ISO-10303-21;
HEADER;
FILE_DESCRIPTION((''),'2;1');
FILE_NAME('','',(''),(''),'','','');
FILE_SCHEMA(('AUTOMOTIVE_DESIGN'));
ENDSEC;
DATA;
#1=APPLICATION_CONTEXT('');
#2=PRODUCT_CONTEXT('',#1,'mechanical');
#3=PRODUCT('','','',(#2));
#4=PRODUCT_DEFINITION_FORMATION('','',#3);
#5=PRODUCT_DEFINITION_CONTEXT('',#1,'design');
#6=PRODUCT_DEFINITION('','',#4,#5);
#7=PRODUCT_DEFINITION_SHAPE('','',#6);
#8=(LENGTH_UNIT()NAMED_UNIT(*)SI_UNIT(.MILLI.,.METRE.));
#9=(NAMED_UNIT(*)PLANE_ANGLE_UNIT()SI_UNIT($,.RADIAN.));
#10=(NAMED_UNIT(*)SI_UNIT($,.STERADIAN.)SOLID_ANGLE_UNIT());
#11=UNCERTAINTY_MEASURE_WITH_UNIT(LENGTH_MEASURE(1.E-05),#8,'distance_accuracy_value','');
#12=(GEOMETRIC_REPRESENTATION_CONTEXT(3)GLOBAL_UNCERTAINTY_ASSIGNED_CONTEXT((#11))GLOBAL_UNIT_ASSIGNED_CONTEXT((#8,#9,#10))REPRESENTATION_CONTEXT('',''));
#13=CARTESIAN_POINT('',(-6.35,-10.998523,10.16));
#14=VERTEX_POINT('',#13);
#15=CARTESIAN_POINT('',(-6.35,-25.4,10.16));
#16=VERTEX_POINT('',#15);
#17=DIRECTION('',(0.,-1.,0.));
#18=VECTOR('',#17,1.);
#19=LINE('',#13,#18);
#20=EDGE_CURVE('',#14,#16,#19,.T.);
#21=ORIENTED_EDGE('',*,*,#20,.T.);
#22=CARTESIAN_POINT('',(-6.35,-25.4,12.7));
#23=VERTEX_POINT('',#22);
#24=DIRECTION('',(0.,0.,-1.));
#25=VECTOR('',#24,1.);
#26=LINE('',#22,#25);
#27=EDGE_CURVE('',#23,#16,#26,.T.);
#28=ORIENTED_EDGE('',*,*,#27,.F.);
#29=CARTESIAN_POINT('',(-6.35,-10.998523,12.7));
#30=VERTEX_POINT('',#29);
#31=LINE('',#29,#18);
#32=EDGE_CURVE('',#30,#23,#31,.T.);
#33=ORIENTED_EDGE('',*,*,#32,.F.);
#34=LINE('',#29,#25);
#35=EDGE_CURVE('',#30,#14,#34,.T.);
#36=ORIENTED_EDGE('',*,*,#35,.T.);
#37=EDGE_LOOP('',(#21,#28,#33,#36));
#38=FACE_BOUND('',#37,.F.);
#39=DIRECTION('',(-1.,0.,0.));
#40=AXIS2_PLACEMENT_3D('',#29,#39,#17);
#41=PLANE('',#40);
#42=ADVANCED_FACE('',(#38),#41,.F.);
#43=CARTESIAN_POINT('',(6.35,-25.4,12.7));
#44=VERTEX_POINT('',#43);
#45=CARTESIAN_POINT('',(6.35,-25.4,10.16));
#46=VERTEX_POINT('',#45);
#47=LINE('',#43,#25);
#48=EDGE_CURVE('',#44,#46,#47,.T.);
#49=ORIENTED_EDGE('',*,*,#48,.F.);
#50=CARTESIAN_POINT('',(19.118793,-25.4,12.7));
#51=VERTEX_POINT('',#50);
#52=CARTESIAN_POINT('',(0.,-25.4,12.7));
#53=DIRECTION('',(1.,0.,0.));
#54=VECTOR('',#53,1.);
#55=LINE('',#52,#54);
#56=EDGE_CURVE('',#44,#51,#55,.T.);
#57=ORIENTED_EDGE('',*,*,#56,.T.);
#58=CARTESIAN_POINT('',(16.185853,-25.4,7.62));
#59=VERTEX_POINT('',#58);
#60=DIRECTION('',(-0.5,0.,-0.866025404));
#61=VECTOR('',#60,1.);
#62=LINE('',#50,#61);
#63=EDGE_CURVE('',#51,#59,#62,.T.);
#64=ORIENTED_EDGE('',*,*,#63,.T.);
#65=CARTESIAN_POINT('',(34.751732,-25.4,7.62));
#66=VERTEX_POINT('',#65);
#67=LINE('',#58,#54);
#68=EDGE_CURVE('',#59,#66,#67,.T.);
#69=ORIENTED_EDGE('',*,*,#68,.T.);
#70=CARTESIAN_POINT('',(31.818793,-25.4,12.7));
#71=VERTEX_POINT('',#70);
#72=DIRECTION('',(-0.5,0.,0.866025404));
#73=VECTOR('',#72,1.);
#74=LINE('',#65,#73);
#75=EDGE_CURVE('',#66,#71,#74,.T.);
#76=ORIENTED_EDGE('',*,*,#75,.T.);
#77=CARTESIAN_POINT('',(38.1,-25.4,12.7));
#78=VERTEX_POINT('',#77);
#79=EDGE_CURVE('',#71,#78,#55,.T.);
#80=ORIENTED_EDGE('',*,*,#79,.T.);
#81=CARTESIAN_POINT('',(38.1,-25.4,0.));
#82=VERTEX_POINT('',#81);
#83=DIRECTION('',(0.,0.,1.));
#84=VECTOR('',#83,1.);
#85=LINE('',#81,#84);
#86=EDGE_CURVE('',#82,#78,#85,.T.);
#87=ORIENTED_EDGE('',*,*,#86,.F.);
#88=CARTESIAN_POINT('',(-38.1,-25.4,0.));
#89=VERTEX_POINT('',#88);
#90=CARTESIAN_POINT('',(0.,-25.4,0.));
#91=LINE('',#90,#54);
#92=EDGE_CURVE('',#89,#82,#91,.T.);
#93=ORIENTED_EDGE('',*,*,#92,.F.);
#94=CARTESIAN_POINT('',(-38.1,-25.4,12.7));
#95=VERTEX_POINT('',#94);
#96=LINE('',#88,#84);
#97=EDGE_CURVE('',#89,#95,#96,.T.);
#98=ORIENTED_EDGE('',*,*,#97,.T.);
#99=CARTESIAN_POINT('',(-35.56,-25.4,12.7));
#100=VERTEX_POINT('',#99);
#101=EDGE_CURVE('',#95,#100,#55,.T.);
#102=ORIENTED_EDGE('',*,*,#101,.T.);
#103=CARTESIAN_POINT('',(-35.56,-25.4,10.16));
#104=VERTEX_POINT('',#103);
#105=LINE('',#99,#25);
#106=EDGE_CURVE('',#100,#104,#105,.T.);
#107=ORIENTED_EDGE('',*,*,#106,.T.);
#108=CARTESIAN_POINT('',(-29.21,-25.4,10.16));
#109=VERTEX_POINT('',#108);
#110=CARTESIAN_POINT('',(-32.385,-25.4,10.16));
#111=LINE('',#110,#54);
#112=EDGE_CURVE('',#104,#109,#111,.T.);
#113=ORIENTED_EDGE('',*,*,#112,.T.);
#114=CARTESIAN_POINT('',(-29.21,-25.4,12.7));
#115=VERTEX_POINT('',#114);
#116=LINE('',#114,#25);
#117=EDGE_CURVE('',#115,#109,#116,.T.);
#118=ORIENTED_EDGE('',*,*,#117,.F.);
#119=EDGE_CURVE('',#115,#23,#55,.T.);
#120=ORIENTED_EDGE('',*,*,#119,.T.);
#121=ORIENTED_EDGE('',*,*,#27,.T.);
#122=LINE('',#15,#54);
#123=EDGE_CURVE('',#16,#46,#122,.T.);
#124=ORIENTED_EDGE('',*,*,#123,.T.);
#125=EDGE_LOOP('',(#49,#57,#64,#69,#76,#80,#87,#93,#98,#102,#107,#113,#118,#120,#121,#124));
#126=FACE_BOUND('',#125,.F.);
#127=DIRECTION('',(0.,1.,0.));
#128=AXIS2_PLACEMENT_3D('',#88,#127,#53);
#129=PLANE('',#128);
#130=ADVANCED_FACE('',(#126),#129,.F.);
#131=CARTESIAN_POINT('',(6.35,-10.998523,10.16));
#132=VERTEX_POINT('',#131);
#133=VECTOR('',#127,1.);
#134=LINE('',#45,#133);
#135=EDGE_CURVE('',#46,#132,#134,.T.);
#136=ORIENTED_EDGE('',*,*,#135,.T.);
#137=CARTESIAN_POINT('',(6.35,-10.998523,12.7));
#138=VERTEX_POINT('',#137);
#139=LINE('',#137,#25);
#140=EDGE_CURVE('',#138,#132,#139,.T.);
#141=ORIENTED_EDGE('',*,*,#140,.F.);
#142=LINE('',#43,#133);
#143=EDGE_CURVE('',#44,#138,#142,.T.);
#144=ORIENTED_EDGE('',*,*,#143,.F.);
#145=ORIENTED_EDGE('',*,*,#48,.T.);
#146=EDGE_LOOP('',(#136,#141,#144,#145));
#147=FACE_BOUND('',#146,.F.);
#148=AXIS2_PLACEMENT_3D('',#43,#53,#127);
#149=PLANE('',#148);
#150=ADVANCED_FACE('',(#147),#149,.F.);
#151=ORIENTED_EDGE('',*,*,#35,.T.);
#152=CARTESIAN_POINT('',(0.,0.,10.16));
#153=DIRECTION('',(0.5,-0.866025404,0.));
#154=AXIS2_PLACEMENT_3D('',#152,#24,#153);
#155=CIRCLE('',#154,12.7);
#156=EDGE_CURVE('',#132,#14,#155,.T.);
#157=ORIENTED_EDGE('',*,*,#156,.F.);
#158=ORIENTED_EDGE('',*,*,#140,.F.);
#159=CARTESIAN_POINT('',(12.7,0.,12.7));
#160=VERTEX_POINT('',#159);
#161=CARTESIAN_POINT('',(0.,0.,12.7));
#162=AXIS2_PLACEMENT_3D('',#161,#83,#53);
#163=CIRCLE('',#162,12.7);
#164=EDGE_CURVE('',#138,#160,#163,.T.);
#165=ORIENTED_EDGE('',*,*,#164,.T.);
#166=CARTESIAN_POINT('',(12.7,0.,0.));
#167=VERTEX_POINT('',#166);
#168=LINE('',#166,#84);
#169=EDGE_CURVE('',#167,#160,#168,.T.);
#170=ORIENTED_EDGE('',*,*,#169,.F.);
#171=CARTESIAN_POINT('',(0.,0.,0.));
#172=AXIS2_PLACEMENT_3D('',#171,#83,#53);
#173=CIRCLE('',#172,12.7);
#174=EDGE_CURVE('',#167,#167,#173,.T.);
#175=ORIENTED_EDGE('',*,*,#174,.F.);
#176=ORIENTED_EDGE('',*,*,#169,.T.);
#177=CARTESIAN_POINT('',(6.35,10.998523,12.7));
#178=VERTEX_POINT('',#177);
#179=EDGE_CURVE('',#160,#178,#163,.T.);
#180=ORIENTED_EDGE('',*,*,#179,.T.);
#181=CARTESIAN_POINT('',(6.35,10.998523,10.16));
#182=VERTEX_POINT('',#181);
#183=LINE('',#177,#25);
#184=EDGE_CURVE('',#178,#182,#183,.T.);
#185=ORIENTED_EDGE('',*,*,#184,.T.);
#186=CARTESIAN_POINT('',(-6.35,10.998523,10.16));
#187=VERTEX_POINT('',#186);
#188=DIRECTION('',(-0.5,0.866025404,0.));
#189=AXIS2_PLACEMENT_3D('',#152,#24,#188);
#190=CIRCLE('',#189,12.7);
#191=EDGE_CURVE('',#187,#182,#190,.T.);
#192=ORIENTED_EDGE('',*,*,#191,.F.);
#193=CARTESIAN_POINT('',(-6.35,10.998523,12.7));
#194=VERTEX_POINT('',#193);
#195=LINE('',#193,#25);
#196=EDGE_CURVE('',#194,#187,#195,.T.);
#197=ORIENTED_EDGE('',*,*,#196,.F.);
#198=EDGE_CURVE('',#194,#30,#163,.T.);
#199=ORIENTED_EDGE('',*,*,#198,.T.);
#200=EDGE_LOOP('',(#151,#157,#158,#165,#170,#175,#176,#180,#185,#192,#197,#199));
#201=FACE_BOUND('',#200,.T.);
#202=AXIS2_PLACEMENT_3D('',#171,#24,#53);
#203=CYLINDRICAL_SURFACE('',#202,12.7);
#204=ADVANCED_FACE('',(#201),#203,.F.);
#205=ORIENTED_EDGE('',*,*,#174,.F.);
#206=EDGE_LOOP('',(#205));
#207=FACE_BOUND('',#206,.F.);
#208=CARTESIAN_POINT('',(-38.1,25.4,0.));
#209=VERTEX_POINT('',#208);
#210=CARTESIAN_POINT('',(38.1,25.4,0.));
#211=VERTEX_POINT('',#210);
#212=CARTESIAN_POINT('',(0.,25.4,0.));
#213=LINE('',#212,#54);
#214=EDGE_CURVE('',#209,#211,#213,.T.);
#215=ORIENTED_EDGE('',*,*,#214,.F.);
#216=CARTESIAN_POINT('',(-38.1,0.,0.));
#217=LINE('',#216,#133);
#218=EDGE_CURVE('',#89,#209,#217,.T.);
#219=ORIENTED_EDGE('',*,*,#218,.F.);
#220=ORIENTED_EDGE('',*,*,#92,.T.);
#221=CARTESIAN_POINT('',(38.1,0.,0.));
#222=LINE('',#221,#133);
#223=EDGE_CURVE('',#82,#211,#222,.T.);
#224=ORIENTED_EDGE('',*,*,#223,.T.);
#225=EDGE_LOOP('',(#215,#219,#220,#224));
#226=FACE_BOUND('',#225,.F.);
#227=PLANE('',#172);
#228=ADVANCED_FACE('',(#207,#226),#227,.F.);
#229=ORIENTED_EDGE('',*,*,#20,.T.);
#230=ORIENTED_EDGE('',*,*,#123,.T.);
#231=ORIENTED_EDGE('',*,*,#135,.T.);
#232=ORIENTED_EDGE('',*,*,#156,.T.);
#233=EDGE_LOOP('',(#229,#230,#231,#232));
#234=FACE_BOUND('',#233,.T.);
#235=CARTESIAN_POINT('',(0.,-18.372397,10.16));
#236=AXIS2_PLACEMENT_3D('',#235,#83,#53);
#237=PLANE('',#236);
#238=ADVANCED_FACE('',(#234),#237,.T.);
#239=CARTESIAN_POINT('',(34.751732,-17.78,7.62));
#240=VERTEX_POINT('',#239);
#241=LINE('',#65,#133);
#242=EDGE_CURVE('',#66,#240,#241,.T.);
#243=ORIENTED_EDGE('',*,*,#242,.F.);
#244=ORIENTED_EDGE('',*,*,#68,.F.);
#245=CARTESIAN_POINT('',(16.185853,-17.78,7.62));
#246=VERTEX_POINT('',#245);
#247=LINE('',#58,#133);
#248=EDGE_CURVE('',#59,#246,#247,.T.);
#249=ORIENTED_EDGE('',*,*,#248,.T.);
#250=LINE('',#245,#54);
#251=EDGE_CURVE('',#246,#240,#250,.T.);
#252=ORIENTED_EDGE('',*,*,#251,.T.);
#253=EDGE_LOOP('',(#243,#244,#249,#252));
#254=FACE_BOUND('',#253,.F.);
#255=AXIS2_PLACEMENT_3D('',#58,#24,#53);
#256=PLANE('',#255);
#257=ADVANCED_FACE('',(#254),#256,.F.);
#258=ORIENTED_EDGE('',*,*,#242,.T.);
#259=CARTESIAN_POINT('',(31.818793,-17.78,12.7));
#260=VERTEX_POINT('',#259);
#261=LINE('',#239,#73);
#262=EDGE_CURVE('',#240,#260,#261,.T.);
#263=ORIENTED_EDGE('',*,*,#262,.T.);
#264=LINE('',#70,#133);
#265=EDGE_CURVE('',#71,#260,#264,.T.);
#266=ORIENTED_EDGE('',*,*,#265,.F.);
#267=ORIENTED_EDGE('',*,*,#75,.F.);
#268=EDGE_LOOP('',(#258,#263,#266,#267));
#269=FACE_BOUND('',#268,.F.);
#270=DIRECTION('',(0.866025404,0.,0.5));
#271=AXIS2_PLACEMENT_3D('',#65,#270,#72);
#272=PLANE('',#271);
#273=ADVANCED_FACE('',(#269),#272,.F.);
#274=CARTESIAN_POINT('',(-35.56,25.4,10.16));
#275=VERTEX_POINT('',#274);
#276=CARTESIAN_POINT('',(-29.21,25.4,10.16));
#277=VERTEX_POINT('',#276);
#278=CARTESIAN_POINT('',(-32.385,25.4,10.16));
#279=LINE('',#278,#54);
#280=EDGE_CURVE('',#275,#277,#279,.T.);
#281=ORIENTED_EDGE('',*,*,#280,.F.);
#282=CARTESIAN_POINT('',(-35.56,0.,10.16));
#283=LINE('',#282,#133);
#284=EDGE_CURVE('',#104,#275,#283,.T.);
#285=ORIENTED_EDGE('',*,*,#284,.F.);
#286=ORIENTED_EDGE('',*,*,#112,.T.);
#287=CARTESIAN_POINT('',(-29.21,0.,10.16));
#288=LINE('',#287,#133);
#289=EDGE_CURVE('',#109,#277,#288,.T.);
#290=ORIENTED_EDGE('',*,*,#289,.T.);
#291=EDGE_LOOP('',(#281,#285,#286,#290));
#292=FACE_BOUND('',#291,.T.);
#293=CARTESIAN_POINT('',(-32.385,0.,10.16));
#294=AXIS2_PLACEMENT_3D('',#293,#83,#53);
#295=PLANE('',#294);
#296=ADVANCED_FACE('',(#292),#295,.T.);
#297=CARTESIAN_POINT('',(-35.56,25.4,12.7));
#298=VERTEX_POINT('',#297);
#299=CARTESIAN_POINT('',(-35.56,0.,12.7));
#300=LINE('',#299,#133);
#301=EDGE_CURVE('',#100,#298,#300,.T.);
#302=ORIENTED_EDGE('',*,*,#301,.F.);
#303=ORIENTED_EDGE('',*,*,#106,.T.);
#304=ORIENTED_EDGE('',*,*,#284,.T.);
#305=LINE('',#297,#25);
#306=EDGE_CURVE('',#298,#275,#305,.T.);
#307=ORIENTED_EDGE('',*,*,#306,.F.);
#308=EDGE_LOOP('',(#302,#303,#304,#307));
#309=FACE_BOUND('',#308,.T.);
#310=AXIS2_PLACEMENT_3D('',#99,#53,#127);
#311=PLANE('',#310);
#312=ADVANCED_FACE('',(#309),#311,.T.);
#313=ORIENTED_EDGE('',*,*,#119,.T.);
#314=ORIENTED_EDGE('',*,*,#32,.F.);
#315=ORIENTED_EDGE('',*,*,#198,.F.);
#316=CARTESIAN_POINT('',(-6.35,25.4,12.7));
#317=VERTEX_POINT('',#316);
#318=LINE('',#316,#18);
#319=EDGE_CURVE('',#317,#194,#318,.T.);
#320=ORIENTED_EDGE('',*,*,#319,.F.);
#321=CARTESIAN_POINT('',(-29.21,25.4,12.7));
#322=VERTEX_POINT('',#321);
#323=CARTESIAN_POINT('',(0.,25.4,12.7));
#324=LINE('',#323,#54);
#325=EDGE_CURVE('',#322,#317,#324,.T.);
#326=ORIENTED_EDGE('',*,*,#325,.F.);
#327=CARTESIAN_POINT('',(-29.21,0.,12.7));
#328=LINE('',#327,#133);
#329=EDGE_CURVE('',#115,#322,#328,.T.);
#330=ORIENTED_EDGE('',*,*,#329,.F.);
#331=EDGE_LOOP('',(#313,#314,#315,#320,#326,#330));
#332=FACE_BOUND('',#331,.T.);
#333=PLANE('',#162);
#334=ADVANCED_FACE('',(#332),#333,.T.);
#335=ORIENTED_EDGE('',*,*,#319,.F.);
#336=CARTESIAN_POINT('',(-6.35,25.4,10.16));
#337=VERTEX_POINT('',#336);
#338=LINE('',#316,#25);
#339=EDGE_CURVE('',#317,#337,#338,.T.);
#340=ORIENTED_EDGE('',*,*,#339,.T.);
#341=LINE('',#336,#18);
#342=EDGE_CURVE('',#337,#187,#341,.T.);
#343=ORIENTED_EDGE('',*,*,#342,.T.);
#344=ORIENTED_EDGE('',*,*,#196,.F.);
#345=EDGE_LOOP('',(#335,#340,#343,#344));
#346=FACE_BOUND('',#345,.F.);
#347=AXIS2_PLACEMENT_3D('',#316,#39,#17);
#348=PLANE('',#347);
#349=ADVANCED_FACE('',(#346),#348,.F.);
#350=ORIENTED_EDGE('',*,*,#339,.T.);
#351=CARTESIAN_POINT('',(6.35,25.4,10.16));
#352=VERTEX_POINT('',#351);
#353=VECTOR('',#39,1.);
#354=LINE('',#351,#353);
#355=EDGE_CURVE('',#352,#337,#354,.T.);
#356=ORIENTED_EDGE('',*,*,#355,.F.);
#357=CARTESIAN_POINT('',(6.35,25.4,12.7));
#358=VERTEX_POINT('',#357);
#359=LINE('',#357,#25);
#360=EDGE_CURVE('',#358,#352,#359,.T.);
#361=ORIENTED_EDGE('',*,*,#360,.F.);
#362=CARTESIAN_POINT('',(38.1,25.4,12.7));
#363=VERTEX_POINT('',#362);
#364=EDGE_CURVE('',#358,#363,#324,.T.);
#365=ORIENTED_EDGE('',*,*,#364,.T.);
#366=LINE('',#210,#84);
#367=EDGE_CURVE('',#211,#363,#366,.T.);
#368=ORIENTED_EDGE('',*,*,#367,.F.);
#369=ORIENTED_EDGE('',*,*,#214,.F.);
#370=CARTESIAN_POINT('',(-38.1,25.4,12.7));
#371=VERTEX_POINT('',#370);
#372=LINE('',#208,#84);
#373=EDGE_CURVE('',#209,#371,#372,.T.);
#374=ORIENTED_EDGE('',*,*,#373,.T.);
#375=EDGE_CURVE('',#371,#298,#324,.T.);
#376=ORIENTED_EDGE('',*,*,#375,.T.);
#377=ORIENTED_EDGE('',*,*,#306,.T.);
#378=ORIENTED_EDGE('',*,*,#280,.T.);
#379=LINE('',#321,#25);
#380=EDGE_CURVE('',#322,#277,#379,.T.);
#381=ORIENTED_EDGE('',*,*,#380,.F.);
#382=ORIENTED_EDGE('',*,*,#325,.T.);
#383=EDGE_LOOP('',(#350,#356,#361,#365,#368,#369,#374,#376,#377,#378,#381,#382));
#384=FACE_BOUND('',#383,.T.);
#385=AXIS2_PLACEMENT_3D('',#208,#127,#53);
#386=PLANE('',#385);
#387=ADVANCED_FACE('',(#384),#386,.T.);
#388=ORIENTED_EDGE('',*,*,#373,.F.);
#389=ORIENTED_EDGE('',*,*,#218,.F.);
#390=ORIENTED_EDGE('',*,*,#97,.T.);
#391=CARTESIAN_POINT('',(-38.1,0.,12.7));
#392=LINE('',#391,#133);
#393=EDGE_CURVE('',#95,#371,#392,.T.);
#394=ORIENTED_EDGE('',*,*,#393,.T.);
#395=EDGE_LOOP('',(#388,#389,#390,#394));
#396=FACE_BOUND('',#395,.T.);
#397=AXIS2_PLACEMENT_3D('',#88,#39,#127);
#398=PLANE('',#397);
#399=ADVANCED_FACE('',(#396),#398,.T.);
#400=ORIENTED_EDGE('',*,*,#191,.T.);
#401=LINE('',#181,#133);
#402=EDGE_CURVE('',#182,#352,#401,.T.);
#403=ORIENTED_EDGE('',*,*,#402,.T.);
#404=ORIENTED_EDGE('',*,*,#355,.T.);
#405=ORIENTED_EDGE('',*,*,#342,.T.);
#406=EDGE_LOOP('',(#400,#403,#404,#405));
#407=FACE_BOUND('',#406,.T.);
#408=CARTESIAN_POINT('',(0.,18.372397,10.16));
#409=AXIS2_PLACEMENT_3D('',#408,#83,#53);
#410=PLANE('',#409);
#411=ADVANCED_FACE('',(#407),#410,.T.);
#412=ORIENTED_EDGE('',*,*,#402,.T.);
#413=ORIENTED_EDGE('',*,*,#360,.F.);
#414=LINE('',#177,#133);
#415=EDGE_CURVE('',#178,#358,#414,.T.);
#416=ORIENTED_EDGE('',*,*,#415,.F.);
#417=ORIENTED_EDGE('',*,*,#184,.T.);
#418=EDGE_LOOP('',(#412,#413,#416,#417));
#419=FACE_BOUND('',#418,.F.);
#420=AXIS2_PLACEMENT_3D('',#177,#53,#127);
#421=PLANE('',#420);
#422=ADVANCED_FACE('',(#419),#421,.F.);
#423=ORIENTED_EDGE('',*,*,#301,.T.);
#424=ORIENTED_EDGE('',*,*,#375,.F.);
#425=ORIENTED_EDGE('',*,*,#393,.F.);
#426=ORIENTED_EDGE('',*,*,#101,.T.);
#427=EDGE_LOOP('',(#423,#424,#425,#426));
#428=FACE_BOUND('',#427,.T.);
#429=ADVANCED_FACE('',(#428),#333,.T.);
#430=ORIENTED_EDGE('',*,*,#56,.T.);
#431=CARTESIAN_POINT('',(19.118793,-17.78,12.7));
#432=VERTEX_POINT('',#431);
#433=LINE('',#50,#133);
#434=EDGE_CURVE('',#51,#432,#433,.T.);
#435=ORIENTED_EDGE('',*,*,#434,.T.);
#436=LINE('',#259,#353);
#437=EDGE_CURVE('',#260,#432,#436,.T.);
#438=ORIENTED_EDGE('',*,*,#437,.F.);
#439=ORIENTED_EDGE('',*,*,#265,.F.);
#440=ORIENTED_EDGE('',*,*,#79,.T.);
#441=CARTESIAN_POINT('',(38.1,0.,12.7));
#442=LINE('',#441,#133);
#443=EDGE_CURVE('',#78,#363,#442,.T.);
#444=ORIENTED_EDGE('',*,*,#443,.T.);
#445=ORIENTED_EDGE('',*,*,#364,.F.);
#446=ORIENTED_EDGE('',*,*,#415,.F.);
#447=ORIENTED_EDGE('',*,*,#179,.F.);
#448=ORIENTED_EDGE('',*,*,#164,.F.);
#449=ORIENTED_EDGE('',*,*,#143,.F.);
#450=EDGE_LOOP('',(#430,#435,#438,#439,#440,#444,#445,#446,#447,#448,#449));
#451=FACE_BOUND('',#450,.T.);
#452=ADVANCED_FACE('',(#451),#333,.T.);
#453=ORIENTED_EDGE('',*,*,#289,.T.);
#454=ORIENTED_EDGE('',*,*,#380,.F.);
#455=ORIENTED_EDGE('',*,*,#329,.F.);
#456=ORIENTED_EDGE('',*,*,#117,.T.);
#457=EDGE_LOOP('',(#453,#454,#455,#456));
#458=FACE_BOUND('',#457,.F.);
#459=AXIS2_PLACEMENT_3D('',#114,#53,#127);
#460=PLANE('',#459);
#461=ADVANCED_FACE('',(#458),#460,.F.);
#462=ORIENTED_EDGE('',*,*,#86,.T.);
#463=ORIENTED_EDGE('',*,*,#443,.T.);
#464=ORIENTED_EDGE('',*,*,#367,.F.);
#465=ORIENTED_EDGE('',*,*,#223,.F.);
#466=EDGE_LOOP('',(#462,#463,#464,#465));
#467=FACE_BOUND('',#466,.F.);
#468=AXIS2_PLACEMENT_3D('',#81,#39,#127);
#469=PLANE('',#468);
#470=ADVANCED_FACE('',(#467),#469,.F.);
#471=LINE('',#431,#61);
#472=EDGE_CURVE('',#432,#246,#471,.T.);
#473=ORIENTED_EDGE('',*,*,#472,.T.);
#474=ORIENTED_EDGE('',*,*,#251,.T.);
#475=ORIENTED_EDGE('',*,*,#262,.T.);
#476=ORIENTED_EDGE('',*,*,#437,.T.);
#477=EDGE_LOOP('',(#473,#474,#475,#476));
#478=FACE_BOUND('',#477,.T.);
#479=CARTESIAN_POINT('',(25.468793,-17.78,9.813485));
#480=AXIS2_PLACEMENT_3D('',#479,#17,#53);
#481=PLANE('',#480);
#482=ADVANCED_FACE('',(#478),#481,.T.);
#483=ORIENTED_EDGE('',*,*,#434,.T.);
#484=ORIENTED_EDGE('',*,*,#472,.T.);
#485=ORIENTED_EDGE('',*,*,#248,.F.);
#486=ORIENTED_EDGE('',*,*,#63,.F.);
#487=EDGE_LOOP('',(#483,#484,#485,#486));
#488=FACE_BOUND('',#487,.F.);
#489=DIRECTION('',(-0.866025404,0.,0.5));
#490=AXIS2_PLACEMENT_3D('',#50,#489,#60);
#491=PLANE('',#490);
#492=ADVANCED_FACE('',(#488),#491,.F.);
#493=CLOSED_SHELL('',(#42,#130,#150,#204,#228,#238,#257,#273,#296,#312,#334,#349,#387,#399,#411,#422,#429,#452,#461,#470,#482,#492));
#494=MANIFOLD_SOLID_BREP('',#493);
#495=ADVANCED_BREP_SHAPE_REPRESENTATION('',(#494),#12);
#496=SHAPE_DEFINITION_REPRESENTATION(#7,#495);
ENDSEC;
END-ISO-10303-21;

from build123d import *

# Parameters (mm, degrees)
F0_W     = 76.2
F0_H     = 50.8
F0_R     = 12.7
F1_DEPTH = 12.7
F2_W     = 6.35
F2_H     = 50.8
F3_DEPTH = 2.54
F5_DEPTH = 7.62


with BuildPart() as f1:
    # F0 (on Top) → F1 (new body)
    with BuildSketch(Plane.XY):
        Rectangle(F0_W, F0_H)
        Circle(F0_R, mode=Mode.SUBTRACT)
    extrude(amount=F1_DEPTH)

    # F2 (on face) → F3 (cut)
    with BuildSketch(Plane.XY.offset(12.7)):
        with Locations((-32.385, 0)):
            Rectangle(F2_W, F2_H)
        with BuildLine():
            Line((6.35, 25.4), (-6.35, 25.4))
            Line((-6.35, 25.4), (-6.35, 10.9985226281))
            ThreePointArc((-6.35, 10.9985226281), (0, 12.7), (6.35, 10.9985226281))
            Line((6.35, 10.9985226281), (6.35, 25.4))
        make_face()
        with BuildLine():
            Line((-6.35, -10.9985226281), (-6.35, -25.4))
            Line((-6.35, -25.4), (6.35, -25.4))
            Line((6.35, -25.4), (6.35, -10.9985226281))
            ThreePointArc((6.35, -10.9985226281), (0, -12.7), (-6.35, -10.9985226281))
        make_face()
    extrude(amount=-F3_DEPTH, mode=Mode.SUBTRACT)

    # F4 (on face) → F5 (cut)
    with BuildSketch(Plane.XZ.offset(25.4)):
        Polygon((31.8187926716, 12.7), (19.1187926716, 12.7), (16.1858533041, 7.62), (34.7517320391, 7.62), align=None)
    extrude(amount=-F5_DEPTH, mode=Mode.SUBTRACT)


solid = f1.part
